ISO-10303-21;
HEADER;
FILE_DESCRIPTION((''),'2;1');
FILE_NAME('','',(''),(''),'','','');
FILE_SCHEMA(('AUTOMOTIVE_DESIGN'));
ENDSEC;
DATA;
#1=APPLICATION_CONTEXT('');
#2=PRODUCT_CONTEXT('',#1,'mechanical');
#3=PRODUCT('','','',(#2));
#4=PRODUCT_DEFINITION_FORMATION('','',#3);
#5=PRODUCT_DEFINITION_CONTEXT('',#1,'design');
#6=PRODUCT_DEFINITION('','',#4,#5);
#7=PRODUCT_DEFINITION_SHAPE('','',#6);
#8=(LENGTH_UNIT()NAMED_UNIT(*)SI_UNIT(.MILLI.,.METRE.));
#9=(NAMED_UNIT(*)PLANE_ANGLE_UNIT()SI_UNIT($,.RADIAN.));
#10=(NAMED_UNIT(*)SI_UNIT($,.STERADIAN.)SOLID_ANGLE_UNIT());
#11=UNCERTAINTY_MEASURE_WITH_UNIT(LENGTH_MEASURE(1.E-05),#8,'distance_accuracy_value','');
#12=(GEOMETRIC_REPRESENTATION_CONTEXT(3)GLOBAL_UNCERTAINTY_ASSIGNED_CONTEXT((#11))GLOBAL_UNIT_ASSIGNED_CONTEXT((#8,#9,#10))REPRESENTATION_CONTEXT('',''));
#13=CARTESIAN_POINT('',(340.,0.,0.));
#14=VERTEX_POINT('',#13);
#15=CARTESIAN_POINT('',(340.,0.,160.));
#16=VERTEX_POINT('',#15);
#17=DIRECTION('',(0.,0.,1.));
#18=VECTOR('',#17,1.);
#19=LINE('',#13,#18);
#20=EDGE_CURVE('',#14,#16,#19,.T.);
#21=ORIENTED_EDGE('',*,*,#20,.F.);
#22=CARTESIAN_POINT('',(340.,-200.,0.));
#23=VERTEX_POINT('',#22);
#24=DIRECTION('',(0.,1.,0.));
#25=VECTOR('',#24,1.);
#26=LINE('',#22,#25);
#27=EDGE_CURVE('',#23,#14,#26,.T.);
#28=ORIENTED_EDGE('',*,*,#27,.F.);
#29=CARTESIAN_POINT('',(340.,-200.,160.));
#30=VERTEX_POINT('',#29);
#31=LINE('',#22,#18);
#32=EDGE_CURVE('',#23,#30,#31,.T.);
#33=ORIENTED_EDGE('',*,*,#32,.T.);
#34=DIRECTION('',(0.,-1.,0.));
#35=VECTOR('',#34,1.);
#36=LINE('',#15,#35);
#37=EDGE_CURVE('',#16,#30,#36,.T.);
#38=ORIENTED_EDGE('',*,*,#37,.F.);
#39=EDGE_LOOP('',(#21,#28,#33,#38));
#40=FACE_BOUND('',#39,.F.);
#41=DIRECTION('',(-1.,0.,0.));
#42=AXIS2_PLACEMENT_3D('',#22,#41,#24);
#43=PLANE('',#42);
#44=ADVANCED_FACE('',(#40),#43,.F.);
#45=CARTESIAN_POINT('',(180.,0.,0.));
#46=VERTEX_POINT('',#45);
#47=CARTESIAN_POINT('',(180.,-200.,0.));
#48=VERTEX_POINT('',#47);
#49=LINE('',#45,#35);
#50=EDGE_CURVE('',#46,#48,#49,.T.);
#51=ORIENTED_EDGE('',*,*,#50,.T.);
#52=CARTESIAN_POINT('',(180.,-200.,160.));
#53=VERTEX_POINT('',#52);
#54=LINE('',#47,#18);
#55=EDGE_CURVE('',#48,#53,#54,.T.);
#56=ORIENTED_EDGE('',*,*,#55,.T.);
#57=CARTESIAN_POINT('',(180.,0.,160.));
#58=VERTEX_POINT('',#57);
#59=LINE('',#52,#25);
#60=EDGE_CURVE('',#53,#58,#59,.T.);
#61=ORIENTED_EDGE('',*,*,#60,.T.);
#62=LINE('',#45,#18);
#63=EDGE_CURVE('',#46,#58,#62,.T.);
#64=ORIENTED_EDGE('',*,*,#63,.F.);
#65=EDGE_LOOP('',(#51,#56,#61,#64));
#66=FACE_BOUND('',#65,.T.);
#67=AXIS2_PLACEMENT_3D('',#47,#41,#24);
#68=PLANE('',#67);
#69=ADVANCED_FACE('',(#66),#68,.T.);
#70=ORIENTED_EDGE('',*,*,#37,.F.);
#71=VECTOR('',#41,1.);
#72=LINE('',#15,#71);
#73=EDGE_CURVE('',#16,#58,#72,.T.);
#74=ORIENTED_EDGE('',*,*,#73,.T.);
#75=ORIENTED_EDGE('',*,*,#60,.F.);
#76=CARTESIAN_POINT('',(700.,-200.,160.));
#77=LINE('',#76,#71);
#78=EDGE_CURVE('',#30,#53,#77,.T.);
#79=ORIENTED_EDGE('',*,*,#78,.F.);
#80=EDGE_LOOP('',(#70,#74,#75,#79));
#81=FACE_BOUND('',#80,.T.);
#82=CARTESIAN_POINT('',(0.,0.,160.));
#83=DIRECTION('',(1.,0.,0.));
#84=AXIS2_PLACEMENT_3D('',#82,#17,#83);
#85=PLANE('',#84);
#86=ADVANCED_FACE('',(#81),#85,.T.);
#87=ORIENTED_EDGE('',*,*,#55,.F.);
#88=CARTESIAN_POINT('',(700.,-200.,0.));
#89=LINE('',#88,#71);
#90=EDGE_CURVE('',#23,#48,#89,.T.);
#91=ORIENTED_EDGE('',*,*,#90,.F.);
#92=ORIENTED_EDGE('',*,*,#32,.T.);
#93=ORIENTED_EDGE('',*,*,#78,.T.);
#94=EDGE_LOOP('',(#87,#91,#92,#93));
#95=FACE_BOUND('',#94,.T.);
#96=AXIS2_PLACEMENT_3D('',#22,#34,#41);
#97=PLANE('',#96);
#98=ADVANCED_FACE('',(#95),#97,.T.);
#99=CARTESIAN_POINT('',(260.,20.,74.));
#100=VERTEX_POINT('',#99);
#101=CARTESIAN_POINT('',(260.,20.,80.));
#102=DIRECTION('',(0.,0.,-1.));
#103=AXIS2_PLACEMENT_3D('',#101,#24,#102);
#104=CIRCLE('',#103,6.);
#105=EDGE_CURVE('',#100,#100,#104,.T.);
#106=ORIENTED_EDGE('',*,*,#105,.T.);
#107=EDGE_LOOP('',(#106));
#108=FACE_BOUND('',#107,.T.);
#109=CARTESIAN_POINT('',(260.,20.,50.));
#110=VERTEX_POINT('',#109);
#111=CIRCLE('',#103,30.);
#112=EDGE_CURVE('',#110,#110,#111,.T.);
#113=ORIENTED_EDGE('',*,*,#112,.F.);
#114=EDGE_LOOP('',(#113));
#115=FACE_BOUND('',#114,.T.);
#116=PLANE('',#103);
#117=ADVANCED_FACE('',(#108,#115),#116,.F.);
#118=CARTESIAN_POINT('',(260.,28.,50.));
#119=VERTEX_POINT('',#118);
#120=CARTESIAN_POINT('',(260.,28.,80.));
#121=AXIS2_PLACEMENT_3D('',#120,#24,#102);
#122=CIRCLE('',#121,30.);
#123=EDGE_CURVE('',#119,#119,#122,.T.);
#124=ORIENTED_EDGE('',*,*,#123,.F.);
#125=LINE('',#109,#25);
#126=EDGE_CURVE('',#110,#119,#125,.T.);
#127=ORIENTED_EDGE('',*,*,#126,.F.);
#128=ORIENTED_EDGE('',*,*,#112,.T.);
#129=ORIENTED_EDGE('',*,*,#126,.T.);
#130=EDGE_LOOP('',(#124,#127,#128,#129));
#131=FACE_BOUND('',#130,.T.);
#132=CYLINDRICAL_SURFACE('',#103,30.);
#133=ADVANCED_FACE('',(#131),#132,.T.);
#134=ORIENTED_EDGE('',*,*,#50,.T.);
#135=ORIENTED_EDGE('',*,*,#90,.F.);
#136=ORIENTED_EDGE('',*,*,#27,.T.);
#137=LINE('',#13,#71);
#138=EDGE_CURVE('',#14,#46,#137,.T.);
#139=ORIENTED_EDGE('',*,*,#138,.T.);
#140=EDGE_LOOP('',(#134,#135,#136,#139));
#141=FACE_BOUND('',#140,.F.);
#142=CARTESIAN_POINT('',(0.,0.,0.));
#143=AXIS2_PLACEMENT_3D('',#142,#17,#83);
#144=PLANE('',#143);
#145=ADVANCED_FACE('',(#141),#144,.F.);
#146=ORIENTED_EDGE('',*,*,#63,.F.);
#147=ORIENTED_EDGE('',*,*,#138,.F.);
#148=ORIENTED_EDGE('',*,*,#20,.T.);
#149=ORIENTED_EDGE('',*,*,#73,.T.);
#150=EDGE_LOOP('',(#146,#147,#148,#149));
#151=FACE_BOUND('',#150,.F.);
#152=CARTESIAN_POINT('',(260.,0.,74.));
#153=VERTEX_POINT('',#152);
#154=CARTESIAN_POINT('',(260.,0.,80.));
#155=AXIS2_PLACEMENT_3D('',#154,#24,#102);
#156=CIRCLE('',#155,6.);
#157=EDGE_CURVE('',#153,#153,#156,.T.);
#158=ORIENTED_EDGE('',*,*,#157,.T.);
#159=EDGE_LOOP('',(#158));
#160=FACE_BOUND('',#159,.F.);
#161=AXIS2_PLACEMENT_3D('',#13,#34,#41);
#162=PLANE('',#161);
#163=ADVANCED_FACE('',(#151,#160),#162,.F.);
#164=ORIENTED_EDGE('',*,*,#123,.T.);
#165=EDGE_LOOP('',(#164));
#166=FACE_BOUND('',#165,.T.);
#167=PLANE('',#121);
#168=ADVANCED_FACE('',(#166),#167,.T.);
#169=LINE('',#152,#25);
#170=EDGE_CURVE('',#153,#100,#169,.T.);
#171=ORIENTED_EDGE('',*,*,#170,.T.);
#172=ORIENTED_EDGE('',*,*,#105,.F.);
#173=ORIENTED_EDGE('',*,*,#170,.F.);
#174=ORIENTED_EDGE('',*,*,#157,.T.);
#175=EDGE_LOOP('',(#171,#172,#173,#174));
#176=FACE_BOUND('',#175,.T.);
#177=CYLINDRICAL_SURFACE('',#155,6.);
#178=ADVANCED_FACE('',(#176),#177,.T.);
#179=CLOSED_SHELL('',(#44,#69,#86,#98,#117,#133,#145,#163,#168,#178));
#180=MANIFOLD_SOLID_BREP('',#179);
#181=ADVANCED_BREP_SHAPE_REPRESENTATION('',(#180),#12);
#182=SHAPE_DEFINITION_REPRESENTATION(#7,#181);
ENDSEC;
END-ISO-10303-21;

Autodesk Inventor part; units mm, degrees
ref_plane "YZ Plane" through (0, 0, 0) normal (1, 0, 0) x (0, 1, 0)
ref_plane "XZ Plane" through (0, 0, 0) normal (0, 1, 0) x (-1, 0, 0)
ref_plane "XY Plane" through (0, 0, 0) normal (0, 0, 1) x (1, 0, 0)
sketch "Sketch1" plane through (0, 0, 0) normal (0, 0, 1) x (1, 0, 0)
  line L0 (700, -200) -> (180, -200) projected
  line L1 (180, -200) -> (-160, -200) projected
  line L2 (-160, -200) -> (-160, 200) projected
  line L3 (180, -200) -> (180, 200) projected
  line L4 (700, -200) -> (1018.8395, -200) projected
  line L5 (1018.8395, -200) -> (1018.8395, 200) projected
  line L6 (1018.8395, 200) -> (700, 200) projected
  line L7 (180, 200) -> (700, 200) projected
  line L8 (-160, 200) -> (180, 200) projected
  line L9 (740, 160) -> (740, 200) projected
  line L10 (740, 160) -> (740, -160) projected
  line L11 (740, -200) -> (740, -160) projected
  line L12 (700, 160) -> (700, -160) projected
  line L13 (700, -160) -> (700, -200) projected
  line L14 (700, 200) -> (700, 160) projected
  line L15 (140, 160) -> (140, 200) projected
  line L16 (140, -200) -> (140, -160) projected
  line L17 (140, 160) -> (140, -160) projected
  line L18 (700, -160) -> (180, -160) projected
  line L19 (180, 160) -> (700, 160) projected
  line L20 (180, -200) -> (340, -200)
  line L21 (340, -200) -> (340, 0)
  line L22 (340, 0) -> (180, 0)
  line L23 (180, 0) -> (180, -200)
  point P0 (0, 0)
  point P1 (260, 0)
  point P2 (140, 0)
  dimension "d0" = 160
extrude "Extrusion1" add sketch "Sketch1" along normal blind 160 contours L0 L3 L18 L21 | L18 L3 L22 L21
ref_plane "Work Plane1" through (260, -200, 0) normal (1, 0, 0) x (0, 0, -1)
sketch "Sketch2" plane through (260, -200, 0) normal (1, 0, 0) x (0, 0, -1)
  line L0 (0, 200) -> (0, 0) projected
  line L1 (0, 0) -> (-160, 0) projected
  line L2 (-160, 200) -> (-160, 0) projected
  line L3 (0, 200) -> (-160, 200) projected
  line L4 (0, 0) -> (-160, 0) projected
  line L5 (-80, 0) -> (-80, 200)
  line L6 (0, 200) -> (-160, 200) projected
  line L7 (-74, 200) -> (-74, 220)
  line L8 (-74, 220) -> (-50, 220)
  line L9 (-50, 220) -> (-50, 228)
  line L10 (-50, 228) -> (-80, 228)
  line L11 (-80, 228) -> (-80, 200)
  line L12 (-80, 200) -> (-80, 294.9893)
  dimension "d6" = 8
  dimension "d7" = 12
  dimension "d8" = 20
  dimension "d9" = 30
  dimension "d10" = 94.9893
revolve "Revolution1" add sketch "Sketch2" angle 360 about axis through (260, 0, 80) along (0, 1, 0) contours L3 L11 L10 L9 L8 L7
properties part number "aandrijfMotor"
